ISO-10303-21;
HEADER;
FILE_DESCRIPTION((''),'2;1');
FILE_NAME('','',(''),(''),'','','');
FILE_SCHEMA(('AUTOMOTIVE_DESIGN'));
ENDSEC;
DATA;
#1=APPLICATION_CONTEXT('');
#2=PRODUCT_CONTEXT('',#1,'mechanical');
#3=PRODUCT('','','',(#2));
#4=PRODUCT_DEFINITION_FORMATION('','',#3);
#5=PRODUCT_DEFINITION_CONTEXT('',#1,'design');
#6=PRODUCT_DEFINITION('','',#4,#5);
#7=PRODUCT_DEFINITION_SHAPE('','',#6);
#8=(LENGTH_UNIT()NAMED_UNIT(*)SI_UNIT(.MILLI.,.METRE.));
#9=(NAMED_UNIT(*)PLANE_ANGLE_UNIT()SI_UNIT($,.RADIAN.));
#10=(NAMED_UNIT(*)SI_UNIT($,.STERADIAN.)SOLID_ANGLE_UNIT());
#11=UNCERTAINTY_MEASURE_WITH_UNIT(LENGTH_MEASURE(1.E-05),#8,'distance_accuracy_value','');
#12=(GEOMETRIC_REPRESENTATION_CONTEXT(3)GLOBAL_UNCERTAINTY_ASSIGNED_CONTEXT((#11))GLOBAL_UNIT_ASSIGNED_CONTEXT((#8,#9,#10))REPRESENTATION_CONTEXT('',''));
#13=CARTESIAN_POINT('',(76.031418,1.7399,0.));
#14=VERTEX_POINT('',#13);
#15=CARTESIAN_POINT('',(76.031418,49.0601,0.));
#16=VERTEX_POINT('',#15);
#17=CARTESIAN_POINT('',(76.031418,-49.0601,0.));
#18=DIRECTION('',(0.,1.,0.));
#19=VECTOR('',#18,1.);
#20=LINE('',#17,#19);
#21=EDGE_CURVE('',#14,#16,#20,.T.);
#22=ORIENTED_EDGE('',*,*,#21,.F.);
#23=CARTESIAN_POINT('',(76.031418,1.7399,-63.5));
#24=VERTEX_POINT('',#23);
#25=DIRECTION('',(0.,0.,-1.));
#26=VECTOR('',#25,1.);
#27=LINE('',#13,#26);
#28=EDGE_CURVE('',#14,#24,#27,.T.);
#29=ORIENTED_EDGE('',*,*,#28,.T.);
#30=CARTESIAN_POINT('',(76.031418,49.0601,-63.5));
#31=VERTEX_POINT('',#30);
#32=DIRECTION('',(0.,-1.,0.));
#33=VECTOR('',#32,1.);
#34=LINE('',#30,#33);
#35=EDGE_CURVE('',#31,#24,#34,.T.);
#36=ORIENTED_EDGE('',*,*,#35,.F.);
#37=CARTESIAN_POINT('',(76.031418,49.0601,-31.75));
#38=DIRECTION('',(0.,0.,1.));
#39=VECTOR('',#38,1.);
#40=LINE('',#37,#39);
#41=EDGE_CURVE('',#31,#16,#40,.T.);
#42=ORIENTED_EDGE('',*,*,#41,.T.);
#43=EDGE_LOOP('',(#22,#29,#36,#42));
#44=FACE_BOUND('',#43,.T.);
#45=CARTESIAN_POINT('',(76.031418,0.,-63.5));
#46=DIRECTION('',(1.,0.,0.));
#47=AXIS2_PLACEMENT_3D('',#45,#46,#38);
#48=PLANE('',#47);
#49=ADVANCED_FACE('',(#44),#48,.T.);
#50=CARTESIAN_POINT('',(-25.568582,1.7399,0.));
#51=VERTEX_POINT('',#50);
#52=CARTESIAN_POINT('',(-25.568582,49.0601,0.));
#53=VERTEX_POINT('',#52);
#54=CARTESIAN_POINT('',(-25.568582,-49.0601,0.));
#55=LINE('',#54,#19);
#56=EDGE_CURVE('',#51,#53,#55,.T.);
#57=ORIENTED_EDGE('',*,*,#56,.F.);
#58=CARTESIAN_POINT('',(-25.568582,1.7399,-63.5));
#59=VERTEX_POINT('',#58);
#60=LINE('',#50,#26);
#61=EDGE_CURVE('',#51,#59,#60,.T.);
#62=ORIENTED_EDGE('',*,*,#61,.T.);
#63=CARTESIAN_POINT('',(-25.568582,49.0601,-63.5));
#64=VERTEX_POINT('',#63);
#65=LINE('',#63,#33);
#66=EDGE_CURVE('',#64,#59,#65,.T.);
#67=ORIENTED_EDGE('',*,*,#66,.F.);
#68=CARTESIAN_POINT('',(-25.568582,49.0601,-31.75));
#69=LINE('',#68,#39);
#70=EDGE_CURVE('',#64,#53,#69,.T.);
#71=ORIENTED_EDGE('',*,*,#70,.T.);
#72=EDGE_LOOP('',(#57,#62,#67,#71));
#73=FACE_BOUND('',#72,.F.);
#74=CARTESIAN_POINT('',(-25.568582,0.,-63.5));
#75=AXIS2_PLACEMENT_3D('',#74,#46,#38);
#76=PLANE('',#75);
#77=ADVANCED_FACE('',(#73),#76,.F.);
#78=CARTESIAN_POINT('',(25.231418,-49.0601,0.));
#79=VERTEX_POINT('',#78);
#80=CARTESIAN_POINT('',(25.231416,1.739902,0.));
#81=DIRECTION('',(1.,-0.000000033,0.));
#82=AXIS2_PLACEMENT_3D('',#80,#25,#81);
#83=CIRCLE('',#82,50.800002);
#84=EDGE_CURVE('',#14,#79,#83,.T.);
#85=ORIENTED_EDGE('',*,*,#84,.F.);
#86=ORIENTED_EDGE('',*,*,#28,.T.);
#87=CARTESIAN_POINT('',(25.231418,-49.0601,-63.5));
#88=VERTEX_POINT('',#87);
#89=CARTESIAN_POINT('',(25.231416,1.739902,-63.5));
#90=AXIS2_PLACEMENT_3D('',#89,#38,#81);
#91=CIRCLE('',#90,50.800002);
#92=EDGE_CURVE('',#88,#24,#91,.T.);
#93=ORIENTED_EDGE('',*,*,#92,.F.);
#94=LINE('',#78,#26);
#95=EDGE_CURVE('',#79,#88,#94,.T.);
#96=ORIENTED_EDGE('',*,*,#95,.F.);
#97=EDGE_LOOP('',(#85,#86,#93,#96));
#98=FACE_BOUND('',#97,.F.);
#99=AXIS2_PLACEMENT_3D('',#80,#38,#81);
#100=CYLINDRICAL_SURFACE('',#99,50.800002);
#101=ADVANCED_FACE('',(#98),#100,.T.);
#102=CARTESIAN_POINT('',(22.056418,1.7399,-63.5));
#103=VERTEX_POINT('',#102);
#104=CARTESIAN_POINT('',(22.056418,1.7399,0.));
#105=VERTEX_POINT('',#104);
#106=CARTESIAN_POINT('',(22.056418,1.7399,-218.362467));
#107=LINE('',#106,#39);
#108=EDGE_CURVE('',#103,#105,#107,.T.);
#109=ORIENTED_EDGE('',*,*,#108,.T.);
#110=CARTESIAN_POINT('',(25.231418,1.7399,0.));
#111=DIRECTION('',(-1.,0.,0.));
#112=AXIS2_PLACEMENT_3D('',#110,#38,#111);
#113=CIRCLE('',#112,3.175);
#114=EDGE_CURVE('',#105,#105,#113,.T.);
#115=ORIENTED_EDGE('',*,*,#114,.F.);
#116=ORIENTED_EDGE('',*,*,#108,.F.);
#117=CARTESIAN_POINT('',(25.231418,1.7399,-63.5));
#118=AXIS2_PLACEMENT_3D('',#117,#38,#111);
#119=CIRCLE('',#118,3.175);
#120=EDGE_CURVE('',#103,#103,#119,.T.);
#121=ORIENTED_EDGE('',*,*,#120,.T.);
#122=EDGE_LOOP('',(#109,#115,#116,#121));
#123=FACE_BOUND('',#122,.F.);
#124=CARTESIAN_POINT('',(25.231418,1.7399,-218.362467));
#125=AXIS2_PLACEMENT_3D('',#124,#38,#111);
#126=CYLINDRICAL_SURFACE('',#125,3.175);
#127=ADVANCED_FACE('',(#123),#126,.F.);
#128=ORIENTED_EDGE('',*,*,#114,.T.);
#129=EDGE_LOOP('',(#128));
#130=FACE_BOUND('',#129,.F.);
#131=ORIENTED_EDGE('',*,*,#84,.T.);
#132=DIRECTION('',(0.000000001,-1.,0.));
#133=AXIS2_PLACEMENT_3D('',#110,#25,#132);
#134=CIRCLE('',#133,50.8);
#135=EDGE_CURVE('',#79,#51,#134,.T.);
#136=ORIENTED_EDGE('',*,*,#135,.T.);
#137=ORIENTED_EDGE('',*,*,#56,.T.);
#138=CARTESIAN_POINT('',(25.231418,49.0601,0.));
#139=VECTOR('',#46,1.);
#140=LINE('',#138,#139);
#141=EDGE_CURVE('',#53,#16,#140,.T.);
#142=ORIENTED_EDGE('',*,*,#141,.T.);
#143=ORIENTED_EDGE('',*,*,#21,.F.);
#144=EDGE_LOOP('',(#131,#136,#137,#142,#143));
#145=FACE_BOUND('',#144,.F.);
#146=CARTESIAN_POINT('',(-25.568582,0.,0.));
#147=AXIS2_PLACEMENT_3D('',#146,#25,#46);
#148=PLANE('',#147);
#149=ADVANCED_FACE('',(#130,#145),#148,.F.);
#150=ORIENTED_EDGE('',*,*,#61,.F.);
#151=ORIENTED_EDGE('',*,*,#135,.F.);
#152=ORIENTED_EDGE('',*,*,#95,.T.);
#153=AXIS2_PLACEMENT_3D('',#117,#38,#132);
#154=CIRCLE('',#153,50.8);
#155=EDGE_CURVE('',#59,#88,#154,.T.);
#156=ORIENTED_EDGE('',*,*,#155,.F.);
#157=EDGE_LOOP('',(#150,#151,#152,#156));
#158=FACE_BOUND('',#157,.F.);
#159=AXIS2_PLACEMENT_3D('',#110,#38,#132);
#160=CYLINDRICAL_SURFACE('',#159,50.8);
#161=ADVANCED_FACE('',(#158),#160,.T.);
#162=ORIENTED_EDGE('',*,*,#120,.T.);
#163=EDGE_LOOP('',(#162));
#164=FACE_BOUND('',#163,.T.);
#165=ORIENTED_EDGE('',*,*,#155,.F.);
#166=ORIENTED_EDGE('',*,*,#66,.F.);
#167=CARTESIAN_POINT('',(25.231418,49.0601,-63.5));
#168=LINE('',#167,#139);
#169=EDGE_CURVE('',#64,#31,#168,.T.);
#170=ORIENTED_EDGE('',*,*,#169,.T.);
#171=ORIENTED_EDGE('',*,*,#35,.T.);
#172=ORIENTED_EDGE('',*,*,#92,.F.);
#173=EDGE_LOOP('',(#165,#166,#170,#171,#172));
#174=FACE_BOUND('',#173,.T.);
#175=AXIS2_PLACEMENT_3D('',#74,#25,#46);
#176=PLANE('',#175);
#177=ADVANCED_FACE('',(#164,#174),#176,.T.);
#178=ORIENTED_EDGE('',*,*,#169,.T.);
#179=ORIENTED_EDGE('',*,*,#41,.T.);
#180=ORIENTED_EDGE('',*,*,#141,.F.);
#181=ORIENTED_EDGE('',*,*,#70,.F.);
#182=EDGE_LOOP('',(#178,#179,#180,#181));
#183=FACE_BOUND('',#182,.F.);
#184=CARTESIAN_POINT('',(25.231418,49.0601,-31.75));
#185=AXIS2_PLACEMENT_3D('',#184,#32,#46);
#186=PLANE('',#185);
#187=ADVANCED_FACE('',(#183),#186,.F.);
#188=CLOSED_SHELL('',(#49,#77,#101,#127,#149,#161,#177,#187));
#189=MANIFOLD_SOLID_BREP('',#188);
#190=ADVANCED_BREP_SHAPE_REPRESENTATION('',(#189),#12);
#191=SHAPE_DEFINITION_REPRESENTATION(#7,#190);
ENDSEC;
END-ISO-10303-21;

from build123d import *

# Parameters (mm, degrees)
F0_W     = 101.6
F0_H     = 63.5
F1_DEPTH = 49.0601
F3_DEPTH = 63.501
F5_D     = 6.35


with BuildPart() as f1:
    # F0 (on Front) → F1 (new body, symmetric)
    with BuildSketch(Plane.XZ):
        with Locations((25.231418, -31.75)):
            Rectangle(F0_W, F0_H)
    extrude(amount=F1_DEPTH, both=True)

    # F2 (on face) → F3 (cut, through all)
    with BuildSketch(Plane.XY):
        with BuildLine():
            ThreePointArc((25.231418, -49.0601), (-10.689607, -34.181124), (-25.568582, 1.7399))
            Line((-25.568582, 1.7399), (-25.568582, -49.0601))
            Line((-25.568582, -49.0601), (25.231418, -49.0601))
        make_face()
        with BuildLine():
            Line((76.031418, -49.0601), (76.031418, 1.7399))
            ThreePointArc((76.031418, 1.7399), (61.152442, -34.181124), (25.231418, -49.0601))
            Line((25.231418, -49.0601), (76.031418, -49.0601))
        make_face()
    extrude(amount=-F3_DEPTH, mode=Mode.SUBTRACT)

    # F5 (through all)
    with Locations(Plane(origin=(0, 0, -63.5), x_dir=(1, 0, 0), z_dir=(0, 0, -1))):
        with Locations((25.231418, -1.7399)):
            Hole(F5_D / 2)


solid = f1.part
